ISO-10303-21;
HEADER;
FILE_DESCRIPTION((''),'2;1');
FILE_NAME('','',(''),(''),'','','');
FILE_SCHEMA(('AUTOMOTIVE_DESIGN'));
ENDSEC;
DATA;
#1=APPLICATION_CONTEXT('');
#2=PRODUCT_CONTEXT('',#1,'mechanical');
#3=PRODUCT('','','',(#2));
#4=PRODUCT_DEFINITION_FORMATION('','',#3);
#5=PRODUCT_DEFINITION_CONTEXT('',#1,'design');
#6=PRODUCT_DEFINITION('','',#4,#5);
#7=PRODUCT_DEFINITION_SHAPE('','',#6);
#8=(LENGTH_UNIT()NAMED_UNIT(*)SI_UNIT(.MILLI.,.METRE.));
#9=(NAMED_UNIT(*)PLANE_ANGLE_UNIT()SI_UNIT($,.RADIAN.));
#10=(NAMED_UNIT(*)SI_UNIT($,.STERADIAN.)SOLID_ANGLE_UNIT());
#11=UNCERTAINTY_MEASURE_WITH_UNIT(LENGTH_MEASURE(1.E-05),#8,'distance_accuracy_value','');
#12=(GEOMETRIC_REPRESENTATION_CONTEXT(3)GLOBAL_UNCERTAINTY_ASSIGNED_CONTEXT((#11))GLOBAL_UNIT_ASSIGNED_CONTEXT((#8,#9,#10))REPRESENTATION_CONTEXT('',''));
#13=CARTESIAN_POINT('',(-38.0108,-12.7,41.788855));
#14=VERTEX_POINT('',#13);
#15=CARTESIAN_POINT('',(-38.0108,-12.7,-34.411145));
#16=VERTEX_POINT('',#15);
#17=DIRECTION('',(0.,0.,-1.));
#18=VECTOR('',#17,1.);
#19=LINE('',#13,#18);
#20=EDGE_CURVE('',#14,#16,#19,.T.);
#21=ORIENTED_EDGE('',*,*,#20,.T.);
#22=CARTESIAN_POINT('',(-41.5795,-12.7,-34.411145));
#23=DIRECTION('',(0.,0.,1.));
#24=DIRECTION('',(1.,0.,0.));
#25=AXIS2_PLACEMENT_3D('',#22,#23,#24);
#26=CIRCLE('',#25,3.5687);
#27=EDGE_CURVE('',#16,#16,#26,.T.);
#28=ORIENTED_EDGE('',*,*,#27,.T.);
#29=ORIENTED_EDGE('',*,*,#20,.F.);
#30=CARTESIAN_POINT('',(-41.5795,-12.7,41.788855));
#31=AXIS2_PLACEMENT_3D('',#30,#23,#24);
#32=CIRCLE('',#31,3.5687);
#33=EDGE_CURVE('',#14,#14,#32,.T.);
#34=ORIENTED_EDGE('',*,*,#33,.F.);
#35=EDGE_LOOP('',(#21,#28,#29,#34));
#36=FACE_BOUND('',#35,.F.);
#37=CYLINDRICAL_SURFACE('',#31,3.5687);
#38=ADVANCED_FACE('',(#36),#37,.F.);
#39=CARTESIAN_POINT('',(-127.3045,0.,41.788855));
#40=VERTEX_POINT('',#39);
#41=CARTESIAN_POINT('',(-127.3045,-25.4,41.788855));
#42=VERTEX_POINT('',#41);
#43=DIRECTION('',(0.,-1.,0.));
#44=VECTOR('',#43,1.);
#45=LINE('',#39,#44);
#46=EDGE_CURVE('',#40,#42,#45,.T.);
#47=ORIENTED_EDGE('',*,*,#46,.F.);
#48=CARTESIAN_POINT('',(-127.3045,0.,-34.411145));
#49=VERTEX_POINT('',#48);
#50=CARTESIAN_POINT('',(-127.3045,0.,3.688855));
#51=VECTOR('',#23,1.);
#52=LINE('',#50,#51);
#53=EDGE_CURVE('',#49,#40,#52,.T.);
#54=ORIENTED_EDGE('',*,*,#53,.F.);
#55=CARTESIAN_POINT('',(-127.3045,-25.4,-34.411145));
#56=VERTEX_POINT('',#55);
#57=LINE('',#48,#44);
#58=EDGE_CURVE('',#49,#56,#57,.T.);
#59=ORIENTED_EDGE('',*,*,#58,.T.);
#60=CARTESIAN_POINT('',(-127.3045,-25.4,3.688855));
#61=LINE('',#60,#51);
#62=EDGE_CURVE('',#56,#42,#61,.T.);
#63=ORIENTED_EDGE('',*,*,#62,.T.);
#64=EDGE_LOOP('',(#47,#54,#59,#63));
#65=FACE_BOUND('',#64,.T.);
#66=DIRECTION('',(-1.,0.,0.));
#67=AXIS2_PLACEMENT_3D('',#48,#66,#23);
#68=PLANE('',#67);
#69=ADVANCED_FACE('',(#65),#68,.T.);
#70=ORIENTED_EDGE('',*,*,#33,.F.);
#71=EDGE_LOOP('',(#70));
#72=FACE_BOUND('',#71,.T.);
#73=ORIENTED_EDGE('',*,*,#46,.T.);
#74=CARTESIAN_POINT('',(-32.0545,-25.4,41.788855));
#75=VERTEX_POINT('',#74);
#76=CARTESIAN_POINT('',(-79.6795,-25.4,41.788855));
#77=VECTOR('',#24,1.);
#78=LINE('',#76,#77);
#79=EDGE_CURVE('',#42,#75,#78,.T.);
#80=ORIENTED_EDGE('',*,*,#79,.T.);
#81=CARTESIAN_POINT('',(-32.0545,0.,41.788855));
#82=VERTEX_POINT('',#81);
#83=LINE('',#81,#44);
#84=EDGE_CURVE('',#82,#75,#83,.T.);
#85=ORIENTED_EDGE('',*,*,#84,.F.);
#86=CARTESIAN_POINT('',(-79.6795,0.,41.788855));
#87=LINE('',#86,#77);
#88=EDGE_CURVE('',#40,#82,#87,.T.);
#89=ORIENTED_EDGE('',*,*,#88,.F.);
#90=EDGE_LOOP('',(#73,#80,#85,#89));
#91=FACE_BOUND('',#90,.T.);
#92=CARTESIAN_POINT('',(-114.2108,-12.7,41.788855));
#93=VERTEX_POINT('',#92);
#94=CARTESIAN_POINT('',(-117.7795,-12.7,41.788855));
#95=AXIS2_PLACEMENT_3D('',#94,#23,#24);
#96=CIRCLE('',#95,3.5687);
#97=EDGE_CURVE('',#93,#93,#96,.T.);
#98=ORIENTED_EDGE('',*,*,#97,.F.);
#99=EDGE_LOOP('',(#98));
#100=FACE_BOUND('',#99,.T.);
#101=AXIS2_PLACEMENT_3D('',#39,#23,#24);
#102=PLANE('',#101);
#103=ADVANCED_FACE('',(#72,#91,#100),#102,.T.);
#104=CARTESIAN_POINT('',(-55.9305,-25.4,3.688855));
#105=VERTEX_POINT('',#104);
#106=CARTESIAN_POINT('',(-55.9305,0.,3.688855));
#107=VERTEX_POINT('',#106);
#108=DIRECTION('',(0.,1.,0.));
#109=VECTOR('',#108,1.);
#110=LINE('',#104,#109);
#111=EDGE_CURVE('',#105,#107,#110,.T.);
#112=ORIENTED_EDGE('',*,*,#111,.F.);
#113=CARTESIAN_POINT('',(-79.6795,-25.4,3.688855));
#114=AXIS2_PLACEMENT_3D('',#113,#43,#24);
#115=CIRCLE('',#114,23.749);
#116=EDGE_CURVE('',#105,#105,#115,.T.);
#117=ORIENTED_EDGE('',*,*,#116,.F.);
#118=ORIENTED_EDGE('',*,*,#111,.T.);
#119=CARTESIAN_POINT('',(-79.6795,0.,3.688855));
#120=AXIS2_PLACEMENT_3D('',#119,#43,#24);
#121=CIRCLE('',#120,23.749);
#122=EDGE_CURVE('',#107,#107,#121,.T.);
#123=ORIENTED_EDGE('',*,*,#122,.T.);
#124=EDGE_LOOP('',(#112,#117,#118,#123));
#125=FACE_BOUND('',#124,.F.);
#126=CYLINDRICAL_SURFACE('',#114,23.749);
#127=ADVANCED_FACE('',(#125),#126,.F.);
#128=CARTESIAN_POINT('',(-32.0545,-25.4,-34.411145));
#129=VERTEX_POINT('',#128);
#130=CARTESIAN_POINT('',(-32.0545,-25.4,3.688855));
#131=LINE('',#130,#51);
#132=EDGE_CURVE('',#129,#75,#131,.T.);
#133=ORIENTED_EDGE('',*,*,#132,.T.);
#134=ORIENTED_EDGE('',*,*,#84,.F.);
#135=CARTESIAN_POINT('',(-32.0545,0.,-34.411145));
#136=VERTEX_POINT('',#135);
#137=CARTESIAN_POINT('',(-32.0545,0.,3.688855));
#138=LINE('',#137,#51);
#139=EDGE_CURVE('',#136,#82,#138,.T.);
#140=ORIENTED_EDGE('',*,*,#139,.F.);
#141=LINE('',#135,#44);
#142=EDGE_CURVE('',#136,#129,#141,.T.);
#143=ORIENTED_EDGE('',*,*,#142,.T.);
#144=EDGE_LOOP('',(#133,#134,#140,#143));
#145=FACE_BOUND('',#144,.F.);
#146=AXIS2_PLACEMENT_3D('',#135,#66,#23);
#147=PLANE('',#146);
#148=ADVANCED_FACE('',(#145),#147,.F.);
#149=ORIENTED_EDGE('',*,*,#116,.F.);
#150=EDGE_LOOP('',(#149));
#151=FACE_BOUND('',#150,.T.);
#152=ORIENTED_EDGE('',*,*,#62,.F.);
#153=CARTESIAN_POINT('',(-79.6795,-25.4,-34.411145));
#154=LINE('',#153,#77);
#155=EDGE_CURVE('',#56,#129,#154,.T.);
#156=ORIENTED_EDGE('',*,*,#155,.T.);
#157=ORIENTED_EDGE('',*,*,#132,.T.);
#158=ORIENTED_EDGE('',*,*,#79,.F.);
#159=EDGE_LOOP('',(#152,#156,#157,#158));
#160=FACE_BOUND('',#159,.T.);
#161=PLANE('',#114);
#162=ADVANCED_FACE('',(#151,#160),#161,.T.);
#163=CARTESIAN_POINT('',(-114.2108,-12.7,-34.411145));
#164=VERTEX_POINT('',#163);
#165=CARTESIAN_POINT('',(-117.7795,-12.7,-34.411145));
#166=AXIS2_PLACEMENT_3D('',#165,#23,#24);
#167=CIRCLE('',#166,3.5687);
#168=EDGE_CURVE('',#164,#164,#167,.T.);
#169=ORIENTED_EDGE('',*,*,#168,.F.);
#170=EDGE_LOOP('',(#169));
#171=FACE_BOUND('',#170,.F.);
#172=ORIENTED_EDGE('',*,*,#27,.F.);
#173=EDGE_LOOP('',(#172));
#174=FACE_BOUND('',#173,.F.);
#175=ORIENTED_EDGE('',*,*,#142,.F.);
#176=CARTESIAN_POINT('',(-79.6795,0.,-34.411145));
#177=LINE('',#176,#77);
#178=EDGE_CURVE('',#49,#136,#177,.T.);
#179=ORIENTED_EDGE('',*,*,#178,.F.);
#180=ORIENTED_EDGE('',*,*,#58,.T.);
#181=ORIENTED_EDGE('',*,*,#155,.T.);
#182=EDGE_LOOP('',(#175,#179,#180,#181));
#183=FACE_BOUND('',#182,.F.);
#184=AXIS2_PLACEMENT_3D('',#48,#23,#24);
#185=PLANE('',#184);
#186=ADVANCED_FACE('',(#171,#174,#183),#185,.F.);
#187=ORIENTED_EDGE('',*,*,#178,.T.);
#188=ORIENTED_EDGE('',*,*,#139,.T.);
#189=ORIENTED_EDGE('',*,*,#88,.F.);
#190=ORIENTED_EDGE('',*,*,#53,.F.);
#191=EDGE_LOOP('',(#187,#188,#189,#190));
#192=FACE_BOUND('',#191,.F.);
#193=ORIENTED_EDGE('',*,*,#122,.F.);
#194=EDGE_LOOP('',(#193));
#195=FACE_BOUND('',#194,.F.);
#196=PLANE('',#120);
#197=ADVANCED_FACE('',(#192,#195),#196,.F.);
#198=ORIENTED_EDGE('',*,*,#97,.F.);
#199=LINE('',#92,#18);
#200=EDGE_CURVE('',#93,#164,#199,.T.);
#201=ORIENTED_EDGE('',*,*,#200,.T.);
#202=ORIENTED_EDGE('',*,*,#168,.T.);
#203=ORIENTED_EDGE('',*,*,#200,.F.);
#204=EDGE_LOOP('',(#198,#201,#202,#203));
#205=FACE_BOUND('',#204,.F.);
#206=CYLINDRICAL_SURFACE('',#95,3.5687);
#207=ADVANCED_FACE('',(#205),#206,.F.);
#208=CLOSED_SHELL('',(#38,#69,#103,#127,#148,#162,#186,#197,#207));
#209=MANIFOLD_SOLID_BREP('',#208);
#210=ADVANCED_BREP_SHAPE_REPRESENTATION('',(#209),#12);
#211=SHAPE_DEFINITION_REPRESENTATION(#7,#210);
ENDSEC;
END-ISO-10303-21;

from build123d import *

# Parameters (mm, degrees)
F0_W     = 95.25
F0_H     = 76.2
F1_DEPTH = 25.4
F2_R     = 23.749
F3_DEPTH = 25.4
F4_R     = 3.5687
F5_DEPTH = 76.201


with BuildPart() as f1:
    # F0 (on Front) → F1 (new body)
    with BuildSketch(Plane.XZ):
        with Locations((-79.6795, 3.688855)):
            Rectangle(F0_W, F0_H)
    extrude(amount=F1_DEPTH)

    # F2 (on face) → F3 (cut)
    with BuildSketch(Plane.XZ.offset(25.4)):
        with Locations((-79.6795, 3.688855)):
            Circle(F2_R)
    extrude(amount=-F3_DEPTH, mode=Mode.SUBTRACT)

    # F4 (on face) → F5 (cut, through all)
    with BuildSketch(Plane.XY.offset(41.788855)):
        with Locations((-41.5795, -12.7)):
            Circle(F4_R)
        with Locations((-117.7795, -12.7)):
            Circle(F4_R)
    extrude(amount=-F5_DEPTH, mode=Mode.SUBTRACT)


solid = f1.part
